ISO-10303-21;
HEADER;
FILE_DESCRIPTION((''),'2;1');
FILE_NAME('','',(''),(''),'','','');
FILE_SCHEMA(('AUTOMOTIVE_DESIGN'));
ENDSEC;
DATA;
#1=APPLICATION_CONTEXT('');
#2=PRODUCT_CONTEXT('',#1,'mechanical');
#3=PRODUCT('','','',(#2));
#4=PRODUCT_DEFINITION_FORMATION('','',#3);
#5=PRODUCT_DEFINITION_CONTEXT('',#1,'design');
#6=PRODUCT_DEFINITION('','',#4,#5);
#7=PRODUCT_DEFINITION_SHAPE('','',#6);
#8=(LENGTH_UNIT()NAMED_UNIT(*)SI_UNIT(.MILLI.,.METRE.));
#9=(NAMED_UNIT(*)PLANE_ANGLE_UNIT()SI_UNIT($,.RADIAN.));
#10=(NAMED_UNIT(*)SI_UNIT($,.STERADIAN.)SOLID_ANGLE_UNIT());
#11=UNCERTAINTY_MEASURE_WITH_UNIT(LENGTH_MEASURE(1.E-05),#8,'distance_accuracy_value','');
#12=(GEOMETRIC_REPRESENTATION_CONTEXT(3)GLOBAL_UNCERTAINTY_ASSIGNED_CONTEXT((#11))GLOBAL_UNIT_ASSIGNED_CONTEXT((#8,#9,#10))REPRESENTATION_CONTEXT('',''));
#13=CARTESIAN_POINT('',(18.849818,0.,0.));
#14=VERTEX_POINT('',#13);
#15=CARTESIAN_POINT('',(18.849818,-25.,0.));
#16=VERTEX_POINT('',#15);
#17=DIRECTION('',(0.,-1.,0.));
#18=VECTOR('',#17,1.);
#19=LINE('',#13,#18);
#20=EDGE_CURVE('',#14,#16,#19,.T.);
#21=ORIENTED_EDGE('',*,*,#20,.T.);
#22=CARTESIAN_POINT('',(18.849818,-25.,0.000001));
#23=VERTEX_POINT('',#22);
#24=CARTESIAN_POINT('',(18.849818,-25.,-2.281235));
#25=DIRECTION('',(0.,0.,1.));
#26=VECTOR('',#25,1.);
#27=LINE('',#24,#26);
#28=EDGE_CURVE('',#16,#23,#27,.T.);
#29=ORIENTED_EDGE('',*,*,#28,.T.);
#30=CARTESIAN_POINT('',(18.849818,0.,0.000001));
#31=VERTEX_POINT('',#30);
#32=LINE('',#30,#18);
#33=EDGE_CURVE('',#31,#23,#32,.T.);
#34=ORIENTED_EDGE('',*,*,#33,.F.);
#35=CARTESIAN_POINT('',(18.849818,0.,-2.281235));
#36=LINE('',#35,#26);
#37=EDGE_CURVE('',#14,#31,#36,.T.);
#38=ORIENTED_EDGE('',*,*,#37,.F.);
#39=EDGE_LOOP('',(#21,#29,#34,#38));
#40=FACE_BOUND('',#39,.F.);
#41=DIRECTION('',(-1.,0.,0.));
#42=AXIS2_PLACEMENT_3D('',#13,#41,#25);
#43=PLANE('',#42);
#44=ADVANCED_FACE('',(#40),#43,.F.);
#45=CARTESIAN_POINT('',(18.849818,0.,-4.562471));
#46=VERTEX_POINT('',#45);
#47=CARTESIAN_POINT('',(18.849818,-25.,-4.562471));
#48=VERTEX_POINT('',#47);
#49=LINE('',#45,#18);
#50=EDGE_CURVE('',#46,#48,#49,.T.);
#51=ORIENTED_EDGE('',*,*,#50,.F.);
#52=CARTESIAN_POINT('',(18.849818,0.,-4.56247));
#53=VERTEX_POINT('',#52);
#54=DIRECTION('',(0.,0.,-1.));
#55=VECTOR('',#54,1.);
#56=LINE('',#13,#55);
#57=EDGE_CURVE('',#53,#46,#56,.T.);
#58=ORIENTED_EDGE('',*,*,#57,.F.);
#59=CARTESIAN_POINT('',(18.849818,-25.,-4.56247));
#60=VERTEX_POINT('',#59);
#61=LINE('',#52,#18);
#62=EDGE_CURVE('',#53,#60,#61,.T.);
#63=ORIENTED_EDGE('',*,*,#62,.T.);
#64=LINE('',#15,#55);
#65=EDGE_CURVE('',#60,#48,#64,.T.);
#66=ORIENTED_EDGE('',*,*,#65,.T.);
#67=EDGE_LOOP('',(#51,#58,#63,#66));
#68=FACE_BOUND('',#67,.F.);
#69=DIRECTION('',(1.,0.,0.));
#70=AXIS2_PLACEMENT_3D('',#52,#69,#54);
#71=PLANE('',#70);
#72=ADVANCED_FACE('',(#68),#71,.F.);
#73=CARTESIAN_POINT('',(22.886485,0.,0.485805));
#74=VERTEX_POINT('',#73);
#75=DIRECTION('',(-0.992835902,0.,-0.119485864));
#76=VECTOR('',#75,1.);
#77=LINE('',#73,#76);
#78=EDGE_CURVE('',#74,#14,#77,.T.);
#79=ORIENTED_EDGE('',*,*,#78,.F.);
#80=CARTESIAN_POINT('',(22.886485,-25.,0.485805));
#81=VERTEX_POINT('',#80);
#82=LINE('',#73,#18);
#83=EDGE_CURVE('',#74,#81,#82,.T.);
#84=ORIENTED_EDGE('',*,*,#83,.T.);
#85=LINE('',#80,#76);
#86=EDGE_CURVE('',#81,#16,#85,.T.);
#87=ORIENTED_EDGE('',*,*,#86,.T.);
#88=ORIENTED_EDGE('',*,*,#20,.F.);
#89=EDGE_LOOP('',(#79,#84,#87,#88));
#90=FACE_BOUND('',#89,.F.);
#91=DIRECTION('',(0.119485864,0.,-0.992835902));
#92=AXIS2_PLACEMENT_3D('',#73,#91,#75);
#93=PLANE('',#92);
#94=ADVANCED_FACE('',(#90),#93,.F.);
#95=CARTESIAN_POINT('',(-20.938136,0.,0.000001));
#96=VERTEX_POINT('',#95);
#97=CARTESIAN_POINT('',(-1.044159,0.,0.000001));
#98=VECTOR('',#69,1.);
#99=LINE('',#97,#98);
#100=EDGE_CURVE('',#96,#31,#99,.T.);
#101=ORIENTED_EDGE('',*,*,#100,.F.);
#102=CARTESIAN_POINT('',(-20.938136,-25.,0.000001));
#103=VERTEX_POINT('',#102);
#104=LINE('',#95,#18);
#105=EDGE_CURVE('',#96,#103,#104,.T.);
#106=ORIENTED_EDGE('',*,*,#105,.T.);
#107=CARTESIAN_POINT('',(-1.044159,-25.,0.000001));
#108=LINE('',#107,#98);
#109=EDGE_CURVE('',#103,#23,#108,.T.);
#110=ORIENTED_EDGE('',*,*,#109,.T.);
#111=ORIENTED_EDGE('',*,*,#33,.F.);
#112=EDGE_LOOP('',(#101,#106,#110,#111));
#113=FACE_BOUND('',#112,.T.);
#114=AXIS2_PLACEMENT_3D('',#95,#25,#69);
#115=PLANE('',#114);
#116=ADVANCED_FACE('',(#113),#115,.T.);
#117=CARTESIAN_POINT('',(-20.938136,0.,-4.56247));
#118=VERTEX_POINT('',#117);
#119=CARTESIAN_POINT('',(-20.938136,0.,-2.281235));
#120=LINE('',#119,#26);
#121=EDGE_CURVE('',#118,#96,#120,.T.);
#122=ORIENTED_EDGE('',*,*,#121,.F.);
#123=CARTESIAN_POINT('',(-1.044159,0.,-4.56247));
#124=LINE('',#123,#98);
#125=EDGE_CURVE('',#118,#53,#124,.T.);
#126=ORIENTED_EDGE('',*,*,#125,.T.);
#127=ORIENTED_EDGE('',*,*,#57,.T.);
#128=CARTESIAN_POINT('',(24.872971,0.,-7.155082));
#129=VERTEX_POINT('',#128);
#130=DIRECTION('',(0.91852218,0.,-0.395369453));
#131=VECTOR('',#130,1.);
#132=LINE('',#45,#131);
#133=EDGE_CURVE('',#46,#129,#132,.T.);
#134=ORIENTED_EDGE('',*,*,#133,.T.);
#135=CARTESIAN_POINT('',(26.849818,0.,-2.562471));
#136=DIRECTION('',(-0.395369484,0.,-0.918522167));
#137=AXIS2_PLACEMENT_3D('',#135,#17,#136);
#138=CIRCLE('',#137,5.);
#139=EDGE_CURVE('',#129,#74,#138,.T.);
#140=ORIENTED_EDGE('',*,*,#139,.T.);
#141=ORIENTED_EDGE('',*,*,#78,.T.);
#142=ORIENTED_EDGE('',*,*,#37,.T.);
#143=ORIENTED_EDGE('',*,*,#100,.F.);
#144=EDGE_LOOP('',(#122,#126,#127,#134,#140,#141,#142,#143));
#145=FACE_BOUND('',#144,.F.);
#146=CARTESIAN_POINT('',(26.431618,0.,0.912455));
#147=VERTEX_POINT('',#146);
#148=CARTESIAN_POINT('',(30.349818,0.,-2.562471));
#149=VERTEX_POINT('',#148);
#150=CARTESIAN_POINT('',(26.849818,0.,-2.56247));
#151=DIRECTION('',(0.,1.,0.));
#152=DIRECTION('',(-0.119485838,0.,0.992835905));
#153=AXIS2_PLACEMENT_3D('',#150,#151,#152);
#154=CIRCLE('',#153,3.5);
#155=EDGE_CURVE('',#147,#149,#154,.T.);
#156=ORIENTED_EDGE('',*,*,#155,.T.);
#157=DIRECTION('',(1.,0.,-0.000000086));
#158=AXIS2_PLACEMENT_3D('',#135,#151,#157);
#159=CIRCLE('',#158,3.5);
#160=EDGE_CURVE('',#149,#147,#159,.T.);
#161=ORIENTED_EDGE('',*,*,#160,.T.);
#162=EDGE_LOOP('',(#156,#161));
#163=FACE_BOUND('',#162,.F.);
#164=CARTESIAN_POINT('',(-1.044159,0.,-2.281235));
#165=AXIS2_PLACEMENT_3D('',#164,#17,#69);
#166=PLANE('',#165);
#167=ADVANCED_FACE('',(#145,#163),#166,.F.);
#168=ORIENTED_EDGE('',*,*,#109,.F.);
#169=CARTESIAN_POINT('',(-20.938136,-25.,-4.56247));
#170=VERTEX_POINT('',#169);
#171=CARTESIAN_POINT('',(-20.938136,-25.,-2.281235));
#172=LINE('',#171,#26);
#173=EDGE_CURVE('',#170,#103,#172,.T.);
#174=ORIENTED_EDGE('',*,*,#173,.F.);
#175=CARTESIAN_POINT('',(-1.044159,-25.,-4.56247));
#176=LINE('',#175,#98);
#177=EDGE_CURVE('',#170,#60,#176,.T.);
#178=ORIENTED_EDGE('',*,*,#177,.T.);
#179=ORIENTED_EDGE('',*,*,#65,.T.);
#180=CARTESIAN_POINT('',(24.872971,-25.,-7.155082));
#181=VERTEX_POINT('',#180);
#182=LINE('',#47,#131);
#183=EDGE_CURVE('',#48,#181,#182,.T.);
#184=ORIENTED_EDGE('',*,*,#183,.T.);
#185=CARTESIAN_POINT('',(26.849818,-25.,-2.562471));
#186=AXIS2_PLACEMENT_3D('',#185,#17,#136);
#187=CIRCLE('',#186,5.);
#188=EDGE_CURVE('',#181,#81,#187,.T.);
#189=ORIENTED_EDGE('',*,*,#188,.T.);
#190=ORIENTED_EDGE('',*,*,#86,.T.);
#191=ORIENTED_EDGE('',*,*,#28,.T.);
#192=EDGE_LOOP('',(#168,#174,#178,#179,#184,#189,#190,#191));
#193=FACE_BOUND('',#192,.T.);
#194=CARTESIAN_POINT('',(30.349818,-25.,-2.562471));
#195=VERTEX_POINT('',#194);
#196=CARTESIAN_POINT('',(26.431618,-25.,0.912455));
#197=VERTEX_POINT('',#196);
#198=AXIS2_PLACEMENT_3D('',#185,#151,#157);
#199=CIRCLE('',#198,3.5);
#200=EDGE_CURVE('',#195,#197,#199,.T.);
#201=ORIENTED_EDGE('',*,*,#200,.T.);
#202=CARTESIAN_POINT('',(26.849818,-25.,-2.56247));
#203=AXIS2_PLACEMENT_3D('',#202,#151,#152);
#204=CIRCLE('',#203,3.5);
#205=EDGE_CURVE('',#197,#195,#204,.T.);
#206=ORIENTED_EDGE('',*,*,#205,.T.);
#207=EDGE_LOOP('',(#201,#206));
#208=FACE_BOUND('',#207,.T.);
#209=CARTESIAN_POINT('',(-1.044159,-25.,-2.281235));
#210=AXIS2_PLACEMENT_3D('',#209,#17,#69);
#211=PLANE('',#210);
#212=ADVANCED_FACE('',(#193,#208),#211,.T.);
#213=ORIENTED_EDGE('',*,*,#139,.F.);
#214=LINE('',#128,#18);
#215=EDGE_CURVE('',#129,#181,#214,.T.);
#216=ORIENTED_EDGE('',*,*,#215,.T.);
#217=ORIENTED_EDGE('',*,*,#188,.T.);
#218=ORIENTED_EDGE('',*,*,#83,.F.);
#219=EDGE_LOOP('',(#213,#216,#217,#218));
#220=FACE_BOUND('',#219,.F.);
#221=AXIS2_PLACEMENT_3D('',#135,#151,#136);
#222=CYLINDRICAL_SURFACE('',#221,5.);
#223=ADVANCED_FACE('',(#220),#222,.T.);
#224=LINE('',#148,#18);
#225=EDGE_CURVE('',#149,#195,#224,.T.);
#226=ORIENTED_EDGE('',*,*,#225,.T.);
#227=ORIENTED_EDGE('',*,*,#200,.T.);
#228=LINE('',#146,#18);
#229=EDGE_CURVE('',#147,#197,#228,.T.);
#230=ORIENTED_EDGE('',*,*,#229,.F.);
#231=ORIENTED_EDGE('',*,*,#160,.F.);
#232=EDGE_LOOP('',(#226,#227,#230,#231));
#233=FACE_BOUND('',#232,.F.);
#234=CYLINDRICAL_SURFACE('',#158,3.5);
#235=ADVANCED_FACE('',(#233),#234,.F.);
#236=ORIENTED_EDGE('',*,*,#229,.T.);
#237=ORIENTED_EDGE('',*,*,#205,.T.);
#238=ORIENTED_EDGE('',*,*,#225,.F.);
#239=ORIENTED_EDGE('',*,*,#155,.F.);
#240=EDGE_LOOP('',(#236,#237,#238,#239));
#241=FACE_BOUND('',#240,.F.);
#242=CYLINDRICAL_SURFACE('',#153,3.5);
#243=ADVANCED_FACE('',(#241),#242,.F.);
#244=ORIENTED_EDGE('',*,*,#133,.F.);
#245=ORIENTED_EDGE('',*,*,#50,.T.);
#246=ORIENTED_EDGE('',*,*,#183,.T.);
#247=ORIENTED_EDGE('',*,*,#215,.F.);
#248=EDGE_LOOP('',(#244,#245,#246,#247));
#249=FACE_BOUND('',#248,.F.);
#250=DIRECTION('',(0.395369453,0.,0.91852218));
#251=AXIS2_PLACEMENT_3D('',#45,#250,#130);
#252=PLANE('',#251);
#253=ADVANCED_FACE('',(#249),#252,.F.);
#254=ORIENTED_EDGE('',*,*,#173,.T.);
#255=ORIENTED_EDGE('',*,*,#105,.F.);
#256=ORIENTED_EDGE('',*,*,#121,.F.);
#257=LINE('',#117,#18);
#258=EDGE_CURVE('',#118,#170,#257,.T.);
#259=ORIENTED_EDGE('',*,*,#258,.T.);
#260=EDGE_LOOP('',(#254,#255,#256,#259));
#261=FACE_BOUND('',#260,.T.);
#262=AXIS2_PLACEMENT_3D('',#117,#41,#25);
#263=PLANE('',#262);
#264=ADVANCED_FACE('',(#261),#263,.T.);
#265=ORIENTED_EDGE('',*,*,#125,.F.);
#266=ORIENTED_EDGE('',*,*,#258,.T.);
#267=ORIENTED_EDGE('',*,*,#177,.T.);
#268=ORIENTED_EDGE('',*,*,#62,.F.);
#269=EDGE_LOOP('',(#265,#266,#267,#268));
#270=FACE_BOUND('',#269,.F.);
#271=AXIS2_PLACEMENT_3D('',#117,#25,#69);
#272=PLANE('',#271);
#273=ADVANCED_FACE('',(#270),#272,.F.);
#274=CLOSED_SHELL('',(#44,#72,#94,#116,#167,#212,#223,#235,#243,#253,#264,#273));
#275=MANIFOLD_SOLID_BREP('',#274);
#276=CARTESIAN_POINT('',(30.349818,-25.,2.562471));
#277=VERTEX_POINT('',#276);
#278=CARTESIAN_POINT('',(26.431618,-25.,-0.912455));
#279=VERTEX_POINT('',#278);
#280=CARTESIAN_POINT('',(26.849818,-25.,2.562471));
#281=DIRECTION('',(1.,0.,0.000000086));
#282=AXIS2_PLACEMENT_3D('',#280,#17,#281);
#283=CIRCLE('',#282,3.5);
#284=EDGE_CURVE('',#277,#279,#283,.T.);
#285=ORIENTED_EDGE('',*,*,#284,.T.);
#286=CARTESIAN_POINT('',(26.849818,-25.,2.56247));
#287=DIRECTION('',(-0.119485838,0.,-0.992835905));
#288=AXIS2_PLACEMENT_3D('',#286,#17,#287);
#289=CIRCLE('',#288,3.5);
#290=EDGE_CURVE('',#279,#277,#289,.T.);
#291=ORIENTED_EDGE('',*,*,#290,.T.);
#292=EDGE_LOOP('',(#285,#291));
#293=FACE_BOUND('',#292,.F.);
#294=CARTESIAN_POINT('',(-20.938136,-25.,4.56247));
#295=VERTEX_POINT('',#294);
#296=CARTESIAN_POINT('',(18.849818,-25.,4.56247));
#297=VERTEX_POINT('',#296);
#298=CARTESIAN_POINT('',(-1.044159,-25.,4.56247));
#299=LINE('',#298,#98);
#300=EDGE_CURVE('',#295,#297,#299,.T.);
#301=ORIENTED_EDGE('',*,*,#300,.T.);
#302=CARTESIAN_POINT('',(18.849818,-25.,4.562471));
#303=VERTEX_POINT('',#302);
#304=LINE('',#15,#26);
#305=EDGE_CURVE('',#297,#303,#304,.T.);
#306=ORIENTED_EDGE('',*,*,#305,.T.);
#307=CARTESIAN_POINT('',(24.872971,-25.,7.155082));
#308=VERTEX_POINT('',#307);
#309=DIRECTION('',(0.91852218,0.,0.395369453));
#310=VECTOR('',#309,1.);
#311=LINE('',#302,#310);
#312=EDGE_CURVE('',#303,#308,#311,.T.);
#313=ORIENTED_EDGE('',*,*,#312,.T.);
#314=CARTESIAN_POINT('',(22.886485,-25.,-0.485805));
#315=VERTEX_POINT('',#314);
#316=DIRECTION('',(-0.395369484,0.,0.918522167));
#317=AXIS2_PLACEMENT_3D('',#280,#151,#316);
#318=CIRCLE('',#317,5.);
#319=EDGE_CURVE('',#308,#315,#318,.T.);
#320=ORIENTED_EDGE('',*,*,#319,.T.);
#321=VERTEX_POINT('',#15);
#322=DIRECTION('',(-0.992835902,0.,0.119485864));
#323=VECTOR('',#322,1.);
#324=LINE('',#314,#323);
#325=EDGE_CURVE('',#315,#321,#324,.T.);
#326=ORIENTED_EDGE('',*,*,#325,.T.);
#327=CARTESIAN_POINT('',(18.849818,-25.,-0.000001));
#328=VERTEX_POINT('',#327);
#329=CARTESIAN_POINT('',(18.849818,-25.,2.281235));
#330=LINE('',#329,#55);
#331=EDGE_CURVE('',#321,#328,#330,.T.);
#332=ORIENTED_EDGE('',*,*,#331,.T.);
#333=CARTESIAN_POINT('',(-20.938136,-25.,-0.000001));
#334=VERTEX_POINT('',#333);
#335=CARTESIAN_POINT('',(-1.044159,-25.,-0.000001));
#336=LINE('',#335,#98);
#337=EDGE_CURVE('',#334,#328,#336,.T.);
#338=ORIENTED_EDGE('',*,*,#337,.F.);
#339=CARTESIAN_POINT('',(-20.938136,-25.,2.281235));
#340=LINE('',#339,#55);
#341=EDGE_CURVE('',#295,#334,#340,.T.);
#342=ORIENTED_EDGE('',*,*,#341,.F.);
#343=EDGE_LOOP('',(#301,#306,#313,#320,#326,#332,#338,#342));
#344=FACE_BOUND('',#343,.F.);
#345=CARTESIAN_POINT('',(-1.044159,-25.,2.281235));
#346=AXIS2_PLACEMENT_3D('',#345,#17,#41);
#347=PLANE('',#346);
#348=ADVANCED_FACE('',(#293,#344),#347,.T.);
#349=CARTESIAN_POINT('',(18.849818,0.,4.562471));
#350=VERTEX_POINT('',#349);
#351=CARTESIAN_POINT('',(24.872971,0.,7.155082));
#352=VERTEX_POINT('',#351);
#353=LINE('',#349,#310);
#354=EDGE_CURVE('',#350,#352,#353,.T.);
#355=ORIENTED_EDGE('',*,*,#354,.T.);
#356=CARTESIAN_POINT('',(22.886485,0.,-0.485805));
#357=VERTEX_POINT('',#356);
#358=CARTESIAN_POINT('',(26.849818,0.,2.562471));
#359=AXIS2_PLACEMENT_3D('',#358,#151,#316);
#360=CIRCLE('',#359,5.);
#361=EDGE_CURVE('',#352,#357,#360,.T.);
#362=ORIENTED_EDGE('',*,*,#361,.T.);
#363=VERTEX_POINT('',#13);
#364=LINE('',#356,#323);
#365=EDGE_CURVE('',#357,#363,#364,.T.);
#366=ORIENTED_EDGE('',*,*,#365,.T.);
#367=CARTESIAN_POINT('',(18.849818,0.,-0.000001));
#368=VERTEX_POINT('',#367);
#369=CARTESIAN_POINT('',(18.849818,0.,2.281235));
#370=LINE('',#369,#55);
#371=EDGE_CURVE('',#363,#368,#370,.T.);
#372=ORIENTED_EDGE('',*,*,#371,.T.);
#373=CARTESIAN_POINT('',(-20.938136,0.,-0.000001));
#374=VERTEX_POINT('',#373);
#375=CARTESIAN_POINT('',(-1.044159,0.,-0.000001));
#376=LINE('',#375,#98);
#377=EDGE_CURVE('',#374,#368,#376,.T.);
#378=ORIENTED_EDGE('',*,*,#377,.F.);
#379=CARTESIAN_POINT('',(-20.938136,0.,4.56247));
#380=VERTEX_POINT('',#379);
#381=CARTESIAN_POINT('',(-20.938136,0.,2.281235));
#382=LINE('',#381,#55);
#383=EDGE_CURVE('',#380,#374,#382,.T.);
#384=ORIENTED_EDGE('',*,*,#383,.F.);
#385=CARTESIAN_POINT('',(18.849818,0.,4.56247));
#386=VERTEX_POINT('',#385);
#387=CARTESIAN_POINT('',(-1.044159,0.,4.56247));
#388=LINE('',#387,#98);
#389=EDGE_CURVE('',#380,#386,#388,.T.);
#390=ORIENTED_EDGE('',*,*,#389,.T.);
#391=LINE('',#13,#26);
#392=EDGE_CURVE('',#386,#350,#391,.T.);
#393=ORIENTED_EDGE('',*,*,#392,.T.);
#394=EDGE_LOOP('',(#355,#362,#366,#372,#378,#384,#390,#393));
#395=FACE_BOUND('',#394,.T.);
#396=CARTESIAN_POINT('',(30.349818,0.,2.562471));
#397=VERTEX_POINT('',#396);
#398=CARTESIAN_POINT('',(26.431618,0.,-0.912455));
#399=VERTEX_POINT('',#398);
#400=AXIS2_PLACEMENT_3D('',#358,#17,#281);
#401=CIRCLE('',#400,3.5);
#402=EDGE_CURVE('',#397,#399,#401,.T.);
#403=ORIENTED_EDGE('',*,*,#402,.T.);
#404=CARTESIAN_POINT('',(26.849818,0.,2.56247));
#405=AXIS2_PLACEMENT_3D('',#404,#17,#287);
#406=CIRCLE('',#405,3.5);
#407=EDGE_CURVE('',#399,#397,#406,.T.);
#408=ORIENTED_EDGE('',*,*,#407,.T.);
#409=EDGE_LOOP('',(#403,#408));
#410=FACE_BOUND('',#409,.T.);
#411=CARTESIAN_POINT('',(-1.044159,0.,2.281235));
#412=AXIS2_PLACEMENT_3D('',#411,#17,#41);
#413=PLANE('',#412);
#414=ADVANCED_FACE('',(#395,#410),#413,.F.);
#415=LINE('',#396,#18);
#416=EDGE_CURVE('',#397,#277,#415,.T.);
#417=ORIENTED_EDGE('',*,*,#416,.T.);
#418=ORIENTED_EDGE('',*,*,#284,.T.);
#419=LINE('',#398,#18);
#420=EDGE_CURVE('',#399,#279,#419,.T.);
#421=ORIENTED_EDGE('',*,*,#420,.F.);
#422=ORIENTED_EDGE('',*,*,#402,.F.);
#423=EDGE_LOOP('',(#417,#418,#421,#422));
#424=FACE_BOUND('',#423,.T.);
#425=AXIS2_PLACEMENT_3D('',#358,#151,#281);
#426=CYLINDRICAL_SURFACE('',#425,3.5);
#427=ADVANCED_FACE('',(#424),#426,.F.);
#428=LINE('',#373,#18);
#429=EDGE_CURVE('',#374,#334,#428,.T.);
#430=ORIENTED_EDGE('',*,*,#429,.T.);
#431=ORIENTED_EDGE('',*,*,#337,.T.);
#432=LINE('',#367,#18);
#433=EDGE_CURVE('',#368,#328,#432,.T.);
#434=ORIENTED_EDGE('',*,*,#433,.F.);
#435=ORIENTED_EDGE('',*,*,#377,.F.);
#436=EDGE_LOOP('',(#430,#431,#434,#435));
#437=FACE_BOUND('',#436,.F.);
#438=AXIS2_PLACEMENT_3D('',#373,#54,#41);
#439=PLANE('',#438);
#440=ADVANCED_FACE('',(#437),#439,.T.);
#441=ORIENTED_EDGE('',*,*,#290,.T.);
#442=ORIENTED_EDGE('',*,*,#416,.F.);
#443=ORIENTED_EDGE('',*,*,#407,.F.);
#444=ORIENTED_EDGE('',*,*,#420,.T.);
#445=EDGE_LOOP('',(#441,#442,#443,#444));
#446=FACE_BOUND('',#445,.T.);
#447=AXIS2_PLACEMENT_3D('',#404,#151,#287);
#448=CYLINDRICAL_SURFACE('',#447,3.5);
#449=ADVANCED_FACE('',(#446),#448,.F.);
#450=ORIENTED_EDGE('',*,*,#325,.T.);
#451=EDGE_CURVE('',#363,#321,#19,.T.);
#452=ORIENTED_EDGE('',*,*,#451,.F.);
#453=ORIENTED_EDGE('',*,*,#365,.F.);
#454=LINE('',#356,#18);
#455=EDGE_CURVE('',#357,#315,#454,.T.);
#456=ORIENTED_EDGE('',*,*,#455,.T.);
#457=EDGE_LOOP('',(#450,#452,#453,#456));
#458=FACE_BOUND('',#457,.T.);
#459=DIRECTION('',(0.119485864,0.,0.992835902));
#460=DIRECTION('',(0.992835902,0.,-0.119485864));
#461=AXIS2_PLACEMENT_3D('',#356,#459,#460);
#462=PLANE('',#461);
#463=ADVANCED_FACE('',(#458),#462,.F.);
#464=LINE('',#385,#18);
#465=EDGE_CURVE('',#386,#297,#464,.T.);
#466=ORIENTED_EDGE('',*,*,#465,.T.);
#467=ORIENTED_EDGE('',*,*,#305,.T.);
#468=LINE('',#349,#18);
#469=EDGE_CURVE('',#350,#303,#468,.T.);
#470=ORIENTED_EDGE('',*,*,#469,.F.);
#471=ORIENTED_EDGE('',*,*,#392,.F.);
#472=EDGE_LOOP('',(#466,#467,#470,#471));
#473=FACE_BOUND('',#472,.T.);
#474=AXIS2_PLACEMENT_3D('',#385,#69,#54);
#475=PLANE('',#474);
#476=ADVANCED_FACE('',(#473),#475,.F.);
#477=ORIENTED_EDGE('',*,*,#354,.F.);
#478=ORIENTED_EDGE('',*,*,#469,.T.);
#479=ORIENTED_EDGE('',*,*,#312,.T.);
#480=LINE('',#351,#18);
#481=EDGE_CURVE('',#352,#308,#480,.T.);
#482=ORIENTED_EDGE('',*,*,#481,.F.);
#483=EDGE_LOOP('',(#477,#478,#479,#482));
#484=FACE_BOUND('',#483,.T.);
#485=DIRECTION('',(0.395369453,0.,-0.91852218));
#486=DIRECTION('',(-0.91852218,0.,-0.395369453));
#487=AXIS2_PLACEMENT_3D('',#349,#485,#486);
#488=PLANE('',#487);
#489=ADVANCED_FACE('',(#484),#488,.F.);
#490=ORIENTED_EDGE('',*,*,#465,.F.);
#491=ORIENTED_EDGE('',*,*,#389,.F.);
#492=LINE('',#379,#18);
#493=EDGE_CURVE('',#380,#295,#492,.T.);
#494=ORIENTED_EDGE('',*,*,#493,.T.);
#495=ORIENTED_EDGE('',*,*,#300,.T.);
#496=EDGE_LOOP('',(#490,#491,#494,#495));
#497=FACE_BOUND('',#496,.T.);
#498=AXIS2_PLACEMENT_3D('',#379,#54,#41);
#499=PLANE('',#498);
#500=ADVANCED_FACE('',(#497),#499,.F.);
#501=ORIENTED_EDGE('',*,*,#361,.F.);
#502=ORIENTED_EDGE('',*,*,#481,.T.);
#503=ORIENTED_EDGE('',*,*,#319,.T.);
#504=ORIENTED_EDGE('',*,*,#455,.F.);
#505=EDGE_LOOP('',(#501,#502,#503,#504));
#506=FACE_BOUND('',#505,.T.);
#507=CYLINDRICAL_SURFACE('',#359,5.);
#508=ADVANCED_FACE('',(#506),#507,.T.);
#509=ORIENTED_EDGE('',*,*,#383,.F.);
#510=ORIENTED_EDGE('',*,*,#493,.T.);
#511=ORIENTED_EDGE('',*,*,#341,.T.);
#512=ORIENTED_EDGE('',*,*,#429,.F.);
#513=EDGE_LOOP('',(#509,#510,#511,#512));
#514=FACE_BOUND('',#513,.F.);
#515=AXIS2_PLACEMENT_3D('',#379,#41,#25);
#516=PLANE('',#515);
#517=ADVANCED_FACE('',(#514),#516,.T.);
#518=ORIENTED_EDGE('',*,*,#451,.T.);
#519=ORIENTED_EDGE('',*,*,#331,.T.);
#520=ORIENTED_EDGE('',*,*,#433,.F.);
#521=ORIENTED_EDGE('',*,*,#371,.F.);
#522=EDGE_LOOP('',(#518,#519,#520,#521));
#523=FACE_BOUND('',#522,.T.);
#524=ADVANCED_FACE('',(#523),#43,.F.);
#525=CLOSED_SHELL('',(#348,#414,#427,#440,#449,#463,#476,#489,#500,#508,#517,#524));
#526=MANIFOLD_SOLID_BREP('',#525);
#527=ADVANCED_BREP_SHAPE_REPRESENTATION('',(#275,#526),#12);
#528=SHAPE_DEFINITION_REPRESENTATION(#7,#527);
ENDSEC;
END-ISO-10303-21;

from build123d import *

# Parameters (mm, degrees)
F0_W     = 39.787954
F0_H     = 4.562471
F1_DEPTH = 25


with BuildPart() as f1:
    # F0 (on Front) → F1 (new body)
    with BuildSketch(Plane.XZ):
        with Locations((-1.044159, -2.281235)):
            Rectangle(F0_W, F0_H)
        with BuildLine():
            Line((22.886485, 0.485805), (18.849818, 0))
            Line((18.849818, 0), (18.849818, -4.562471))
            Line((18.849818, -4.562471), (24.872971, -7.155082))
            ThreePointArc((24.872971, -7.155082), (31.688953, -1.304387), (22.886485, 0.485805))
        make_face()
        with BuildLine():
            ThreePointArc((30.349818, -2.562471), (24.527503, -5.18103), (26.431618, 0.912455))
            ThreePointArc((26.431618, 0.912455), (29.172134, 0.056088), (30.349818, -2.562471))
        make_face(mode=Mode.SUBTRACT)
    extrude(amount=F1_DEPTH)


with BuildPart() as f3_1:
    # F3: instance of F1
    add(f1.part.mirror(Plane.XY))


solid = Compound([f1.part, f3_1.part])
